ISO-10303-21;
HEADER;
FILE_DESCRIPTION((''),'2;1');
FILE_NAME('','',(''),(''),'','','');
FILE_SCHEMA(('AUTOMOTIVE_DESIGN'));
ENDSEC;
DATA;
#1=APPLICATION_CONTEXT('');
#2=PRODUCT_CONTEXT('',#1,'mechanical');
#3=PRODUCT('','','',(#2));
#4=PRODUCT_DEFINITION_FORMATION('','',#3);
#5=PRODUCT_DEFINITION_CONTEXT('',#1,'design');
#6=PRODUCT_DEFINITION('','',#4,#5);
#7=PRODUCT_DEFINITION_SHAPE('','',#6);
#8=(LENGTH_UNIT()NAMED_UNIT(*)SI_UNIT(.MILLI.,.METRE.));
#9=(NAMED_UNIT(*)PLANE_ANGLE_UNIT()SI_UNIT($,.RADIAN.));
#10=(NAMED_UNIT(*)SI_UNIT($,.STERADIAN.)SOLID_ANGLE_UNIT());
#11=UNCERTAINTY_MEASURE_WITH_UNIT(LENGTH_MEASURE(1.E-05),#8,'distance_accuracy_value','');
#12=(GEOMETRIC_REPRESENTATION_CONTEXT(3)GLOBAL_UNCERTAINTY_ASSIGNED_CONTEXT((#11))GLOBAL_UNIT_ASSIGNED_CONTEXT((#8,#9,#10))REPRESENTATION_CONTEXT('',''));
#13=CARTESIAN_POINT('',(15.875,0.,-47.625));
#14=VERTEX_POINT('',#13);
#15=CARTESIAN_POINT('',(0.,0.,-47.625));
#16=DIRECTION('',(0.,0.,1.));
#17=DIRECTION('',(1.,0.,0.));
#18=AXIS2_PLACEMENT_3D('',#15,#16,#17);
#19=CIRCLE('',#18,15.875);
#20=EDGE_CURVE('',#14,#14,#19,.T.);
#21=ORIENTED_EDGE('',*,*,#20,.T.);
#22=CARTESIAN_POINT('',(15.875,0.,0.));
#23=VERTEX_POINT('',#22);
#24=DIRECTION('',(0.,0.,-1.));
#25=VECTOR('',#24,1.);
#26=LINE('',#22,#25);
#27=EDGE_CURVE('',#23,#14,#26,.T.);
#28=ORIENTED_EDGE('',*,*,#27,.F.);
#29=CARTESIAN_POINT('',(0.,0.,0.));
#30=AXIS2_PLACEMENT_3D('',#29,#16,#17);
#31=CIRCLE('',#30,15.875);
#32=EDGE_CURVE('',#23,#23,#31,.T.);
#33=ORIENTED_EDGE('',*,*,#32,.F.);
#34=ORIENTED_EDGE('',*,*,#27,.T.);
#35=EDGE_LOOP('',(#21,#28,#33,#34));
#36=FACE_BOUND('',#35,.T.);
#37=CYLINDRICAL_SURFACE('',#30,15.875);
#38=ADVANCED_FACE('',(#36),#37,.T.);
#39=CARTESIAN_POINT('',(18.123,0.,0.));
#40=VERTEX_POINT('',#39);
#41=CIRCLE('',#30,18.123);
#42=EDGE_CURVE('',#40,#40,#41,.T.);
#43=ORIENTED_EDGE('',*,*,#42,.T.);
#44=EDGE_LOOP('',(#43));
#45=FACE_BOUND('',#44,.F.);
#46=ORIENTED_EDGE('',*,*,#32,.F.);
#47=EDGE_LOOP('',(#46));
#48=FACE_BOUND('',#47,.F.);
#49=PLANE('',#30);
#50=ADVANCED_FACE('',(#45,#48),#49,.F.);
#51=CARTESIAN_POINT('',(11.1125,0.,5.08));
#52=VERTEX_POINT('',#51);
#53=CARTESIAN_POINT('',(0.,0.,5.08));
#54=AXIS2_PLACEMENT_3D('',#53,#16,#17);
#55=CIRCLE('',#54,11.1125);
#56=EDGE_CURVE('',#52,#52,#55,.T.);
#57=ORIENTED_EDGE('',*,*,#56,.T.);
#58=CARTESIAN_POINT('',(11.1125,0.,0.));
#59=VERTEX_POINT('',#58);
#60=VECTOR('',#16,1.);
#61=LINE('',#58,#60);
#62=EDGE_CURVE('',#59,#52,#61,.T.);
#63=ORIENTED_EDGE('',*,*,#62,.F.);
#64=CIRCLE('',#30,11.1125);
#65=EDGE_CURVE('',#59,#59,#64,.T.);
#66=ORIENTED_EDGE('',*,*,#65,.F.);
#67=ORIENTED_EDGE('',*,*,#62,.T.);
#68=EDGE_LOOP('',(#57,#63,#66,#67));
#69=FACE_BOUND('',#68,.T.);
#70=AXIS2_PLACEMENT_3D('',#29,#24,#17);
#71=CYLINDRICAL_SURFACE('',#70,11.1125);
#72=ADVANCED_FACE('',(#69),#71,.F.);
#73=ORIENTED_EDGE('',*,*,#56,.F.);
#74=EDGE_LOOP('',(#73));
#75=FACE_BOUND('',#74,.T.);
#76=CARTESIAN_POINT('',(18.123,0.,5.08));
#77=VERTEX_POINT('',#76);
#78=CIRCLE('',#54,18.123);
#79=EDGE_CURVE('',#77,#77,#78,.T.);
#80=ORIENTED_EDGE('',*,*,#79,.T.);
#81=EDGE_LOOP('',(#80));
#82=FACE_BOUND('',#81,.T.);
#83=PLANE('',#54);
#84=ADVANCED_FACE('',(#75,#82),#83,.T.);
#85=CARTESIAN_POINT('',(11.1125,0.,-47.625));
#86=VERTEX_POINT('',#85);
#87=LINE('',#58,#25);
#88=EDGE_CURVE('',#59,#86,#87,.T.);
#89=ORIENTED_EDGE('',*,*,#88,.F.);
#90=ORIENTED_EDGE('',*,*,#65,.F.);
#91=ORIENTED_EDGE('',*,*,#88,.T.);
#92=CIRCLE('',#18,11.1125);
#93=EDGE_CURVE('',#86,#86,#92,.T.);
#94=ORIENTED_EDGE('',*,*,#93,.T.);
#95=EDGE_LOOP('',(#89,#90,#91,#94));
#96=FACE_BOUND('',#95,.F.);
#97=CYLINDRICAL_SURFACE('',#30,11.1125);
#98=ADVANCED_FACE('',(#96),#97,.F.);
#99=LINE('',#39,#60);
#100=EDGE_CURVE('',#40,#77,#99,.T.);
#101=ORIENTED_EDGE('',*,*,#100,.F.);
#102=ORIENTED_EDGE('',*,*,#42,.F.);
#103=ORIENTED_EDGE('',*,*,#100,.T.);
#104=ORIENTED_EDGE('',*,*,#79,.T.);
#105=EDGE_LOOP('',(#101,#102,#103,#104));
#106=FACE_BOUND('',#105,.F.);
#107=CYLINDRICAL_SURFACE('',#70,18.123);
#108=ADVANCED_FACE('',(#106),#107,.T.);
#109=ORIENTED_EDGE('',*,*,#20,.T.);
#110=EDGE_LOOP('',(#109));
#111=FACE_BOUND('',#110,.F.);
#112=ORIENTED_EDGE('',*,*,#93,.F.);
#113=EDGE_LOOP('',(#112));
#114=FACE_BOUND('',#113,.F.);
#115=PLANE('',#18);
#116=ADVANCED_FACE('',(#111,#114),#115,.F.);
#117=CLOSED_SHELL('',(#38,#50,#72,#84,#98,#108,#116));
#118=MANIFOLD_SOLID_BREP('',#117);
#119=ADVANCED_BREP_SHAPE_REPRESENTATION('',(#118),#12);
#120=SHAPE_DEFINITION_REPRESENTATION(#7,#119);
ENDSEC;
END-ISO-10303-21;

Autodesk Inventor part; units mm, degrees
ref_plane "YZ Plane" through (0, 0, 0) normal (1, 0, 0) x (0, 1, 0)
ref_plane "XZ Plane" through (0, 0, 0) normal (0, 1, 0) x (-1, 0, 0)
sketch "Sketch1" plane through (0, 0, 0) normal (0, 0, 1) x (1, 0, 0)
  circle A0 centre (0, 0) radius 15.875 projected
  circle A1 centre (0, 0) radius 11.1125
  dimension "d0" = 22.225
extrude "Extrusion1" add sketch "Sketch1" against normal blind 47.625
sketch "Sketch2" plane through (0, 0, 0) normal (0, 0, 1) x (1, 0, 0)
  circle A0 centre (0, 0) radius 11.1125 projected
  circle A1 centre (0, 0) radius 18.123 projected
ref_plane "Work Plane1" through (-167.48, -167.48, 5.08) normal (0, 0, 1) x (1, 0, 0)
extrude "Extrusion2" add sketch "Sketch2" along normal up to surface (5.08 mm away)
properties part number "bush_part"
